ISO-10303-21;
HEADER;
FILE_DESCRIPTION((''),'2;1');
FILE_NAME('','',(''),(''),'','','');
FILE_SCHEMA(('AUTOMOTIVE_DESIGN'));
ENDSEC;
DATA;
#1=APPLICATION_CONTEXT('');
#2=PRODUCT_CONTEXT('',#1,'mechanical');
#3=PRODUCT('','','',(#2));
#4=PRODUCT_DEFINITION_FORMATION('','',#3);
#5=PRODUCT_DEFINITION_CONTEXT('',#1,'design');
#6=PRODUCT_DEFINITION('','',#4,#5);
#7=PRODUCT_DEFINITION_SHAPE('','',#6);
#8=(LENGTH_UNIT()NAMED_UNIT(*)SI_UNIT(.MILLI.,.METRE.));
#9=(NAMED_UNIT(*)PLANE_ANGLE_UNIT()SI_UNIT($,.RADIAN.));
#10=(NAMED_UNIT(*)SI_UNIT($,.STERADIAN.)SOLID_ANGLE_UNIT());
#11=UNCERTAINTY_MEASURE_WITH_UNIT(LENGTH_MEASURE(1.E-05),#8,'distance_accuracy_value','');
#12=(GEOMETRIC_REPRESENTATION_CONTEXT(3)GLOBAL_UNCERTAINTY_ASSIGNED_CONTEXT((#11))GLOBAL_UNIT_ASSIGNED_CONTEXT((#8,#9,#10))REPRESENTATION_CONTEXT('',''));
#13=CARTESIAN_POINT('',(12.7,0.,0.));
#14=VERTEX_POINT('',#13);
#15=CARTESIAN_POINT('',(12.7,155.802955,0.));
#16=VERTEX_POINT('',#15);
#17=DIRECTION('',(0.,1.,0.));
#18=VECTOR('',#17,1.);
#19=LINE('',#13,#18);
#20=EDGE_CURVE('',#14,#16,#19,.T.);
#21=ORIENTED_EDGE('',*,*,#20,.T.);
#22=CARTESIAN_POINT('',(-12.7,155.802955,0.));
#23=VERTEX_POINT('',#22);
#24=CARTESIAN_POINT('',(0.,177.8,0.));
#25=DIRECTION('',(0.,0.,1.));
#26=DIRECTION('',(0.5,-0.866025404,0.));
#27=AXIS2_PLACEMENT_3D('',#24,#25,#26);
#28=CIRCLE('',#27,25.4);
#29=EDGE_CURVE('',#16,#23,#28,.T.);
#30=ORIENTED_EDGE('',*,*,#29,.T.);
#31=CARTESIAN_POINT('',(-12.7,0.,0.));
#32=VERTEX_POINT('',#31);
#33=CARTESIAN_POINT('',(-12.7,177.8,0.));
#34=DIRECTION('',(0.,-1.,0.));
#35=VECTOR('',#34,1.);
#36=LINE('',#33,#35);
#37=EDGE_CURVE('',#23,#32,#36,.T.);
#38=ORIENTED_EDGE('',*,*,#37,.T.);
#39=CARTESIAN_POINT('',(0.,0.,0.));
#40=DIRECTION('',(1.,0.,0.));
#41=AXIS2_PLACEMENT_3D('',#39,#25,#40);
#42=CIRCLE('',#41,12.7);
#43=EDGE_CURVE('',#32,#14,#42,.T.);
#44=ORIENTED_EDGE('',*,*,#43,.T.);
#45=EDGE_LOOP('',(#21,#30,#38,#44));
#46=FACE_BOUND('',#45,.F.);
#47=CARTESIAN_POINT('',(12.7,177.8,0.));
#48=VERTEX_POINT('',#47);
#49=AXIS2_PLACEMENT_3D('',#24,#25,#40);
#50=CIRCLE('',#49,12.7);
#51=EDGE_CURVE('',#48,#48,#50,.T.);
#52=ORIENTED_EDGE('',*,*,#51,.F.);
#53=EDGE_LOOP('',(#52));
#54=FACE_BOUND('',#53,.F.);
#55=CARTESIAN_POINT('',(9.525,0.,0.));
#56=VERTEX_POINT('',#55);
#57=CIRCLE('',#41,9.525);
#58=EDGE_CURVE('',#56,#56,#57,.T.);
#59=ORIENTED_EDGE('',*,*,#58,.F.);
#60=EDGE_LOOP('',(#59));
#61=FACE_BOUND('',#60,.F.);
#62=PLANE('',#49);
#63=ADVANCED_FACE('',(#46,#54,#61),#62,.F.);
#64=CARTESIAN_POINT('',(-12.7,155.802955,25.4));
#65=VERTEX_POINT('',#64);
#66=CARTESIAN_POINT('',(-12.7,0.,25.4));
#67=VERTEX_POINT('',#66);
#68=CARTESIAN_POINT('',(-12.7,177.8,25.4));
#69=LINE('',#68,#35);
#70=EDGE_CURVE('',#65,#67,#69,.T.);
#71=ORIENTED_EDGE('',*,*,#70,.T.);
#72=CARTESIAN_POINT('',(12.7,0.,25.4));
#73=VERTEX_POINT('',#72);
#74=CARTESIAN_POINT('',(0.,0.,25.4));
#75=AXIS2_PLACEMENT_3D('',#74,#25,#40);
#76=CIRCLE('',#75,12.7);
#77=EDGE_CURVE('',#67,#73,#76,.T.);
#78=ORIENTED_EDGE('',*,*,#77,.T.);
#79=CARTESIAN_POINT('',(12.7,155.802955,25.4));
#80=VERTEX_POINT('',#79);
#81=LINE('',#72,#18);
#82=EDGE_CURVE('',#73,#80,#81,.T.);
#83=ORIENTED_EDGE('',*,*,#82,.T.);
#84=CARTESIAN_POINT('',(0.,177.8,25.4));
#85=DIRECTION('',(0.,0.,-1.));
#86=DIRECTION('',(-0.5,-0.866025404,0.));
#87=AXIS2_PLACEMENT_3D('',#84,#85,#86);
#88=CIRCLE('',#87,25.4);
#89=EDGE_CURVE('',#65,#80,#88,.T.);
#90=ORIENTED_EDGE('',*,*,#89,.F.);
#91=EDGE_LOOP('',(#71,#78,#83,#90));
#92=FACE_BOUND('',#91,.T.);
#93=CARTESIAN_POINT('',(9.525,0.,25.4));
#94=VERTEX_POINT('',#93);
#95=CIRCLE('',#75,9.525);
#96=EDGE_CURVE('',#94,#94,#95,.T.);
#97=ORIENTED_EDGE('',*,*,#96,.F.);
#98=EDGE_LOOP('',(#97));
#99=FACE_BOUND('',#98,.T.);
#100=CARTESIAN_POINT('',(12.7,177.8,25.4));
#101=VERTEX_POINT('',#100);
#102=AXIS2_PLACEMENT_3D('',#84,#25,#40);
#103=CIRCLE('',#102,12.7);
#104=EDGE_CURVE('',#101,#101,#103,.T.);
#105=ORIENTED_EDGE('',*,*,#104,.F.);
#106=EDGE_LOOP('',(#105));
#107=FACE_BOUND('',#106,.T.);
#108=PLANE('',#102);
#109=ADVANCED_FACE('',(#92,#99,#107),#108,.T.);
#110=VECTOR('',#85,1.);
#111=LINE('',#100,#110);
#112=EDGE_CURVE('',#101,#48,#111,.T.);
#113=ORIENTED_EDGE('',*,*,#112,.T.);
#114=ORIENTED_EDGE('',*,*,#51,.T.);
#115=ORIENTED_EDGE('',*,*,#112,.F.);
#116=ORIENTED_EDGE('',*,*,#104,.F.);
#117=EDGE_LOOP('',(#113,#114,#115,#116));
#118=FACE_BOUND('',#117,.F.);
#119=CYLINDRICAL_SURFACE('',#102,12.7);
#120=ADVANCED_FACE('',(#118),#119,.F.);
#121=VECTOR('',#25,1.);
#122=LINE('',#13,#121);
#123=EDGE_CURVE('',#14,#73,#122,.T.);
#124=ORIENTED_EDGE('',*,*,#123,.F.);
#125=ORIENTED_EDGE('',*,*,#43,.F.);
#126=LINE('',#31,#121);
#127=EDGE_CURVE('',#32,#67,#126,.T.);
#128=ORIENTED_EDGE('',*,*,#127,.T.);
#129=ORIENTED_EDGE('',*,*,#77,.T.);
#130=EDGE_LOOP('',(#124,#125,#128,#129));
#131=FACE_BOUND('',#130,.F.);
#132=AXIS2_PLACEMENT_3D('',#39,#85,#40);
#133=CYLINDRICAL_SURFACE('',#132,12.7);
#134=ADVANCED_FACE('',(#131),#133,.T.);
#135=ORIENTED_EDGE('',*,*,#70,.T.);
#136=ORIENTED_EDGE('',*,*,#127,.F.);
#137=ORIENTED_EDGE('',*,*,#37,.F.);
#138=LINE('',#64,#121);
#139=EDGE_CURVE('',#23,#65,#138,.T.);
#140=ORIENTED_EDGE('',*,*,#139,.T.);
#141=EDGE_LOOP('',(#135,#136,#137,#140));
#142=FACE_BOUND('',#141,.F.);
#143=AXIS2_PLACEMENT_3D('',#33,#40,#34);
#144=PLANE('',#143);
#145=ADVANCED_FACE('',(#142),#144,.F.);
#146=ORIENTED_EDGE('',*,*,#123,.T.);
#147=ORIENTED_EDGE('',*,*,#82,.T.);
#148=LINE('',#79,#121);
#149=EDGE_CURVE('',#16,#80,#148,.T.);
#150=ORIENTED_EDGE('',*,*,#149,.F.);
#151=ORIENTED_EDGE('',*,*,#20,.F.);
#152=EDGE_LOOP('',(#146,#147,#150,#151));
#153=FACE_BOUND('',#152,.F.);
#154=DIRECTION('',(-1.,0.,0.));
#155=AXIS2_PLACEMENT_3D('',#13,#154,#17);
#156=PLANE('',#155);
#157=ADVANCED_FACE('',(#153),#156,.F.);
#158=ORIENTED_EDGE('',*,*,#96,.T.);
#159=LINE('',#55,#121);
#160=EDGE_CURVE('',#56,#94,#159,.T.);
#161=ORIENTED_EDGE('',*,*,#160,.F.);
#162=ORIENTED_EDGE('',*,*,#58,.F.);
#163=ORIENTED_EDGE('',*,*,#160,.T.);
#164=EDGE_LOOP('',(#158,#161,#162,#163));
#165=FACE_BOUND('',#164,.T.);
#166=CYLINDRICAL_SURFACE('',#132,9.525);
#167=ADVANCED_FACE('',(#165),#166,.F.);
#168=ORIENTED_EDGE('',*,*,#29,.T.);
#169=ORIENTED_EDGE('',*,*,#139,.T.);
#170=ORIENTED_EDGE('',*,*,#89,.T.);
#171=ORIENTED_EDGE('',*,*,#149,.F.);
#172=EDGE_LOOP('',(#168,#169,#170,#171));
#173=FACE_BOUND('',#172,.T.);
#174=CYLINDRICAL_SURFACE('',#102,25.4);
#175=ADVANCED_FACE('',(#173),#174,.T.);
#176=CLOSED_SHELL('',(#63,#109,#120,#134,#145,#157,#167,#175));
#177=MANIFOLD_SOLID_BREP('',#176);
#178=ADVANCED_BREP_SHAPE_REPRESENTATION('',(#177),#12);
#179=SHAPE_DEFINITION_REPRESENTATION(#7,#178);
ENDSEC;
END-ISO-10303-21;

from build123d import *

# Parameters (mm, degrees)
F0_R     = 9.525
F1_DEPTH = 25.4
F2_R     = 25.4
F3_DEPTH = 25.4
F4_R     = 12.7
F5_DEPTH = 25.4


with BuildPart() as f1:
    # F0 (on Top) → F1 (new body)
    with BuildSketch(Plane.XY):
        with BuildLine():
            ThreePointArc((-12.7, 0), (0, -12.7), (12.7, 0))
            ThreePointArc((12.7, 0), (0, 12.7), (-12.7, 0))
        make_face()
        Circle(F0_R, mode=Mode.SUBTRACT)
        with BuildLine():
            ThreePointArc((-12.7, 0), (0, 12.7), (12.7, 0))
            Line((12.7, 0), (12.7, 177.8))
            Line((12.7, 177.8), (-12.7, 177.8))
            Line((-12.7, 177.8), (-12.7, 0))
        make_face()
    extrude(amount=F1_DEPTH)

    # F2 (on face) → F3 (join)
    with BuildSketch(Plane.XY.offset(25.4)):
        with Locations((0, 177.8)):
            Circle(F2_R)
    extrude(amount=-F3_DEPTH)

    # F4 (on face) → F5 (cut)
    with BuildSketch(Plane.XY.offset(25.4)):
        with Locations((0, 177.8)):
            Circle(F4_R)
    extrude(amount=-F5_DEPTH, mode=Mode.SUBTRACT)


solid = f1.part
